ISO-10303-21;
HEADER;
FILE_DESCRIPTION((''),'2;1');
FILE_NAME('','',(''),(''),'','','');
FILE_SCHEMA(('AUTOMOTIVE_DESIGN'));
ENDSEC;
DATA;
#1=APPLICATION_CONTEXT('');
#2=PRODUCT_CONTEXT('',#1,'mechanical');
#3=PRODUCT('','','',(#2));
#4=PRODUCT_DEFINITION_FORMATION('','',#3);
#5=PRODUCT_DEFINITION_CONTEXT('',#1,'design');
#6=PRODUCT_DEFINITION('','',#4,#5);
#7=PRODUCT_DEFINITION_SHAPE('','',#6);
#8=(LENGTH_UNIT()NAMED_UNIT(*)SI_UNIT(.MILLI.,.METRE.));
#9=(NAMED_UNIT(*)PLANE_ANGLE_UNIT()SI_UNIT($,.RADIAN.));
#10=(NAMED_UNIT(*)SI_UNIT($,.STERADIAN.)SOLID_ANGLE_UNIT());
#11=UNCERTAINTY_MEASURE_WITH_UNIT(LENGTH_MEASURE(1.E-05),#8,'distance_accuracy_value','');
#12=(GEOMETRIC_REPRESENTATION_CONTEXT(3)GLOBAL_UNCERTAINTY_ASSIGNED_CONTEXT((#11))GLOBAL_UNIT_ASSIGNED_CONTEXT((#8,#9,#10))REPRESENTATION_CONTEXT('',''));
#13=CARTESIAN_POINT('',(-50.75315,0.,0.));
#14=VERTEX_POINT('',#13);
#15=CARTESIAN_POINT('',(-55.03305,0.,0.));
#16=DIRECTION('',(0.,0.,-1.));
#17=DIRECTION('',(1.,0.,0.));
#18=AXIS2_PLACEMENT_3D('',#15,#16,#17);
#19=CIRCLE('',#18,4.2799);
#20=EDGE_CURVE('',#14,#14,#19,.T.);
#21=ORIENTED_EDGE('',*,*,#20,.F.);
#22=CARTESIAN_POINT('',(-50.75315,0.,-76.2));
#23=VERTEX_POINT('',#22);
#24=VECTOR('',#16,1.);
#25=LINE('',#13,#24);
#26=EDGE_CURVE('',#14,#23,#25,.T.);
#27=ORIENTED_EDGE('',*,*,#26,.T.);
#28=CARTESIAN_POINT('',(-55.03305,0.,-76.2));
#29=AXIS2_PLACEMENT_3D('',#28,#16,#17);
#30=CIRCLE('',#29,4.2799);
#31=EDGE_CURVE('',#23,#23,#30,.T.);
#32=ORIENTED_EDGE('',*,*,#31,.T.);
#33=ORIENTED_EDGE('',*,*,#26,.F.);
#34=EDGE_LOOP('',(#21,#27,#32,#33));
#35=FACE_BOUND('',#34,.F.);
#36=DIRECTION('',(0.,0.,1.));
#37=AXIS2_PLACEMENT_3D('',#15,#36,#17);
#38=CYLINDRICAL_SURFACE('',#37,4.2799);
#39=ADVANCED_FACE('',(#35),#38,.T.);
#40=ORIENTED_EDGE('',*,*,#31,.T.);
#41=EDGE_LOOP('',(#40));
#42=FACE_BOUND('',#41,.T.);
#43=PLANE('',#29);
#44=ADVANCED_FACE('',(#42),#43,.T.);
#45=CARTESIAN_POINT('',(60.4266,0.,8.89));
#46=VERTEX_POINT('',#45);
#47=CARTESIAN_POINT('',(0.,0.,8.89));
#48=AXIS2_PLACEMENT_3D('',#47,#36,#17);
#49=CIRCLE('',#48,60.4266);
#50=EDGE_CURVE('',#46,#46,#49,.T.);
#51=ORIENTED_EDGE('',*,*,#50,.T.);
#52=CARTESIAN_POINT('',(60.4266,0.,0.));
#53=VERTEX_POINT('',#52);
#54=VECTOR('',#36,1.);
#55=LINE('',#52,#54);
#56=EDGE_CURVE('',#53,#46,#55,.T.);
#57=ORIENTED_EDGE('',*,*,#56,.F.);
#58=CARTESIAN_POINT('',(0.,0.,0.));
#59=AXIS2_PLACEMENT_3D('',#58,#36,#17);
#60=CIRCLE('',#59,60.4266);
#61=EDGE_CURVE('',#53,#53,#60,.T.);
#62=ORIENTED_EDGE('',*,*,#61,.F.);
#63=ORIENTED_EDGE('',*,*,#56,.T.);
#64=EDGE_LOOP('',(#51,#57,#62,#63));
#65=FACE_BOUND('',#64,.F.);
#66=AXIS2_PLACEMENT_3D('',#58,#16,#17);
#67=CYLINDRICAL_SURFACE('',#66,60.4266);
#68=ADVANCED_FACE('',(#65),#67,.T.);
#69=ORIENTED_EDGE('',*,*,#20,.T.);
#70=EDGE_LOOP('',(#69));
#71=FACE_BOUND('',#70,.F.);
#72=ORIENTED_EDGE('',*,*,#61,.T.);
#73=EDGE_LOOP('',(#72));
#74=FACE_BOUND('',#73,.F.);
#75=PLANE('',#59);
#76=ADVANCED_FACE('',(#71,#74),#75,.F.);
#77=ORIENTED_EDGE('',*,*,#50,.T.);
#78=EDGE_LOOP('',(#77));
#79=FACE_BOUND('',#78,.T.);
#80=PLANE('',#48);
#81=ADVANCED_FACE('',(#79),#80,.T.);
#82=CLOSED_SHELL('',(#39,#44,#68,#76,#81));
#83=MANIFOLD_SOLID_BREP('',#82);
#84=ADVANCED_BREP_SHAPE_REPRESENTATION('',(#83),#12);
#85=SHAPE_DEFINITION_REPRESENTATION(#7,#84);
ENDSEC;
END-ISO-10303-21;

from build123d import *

# Parameters (mm, degrees)
F0_R     = 60.4266
F1_DEPTH = 8.89
F2_R     = 4.2799
F3_DEPTH = 76.2


with BuildPart() as f1:
    # F0 (on Top) → F1 (new body)
    with BuildSketch(Plane.XY):
        Circle(F0_R)
    extrude(amount=F1_DEPTH)

    # F2 (on face) → F3 (join)
    with BuildSketch(Plane(origin=(0, 0, 0), x_dir=(1, 0, 0), z_dir=(0, 0, -1))):
        with Locations((-55.03305, 0)):
            Circle(F2_R)
    extrude(amount=F3_DEPTH)


solid = f1.part
